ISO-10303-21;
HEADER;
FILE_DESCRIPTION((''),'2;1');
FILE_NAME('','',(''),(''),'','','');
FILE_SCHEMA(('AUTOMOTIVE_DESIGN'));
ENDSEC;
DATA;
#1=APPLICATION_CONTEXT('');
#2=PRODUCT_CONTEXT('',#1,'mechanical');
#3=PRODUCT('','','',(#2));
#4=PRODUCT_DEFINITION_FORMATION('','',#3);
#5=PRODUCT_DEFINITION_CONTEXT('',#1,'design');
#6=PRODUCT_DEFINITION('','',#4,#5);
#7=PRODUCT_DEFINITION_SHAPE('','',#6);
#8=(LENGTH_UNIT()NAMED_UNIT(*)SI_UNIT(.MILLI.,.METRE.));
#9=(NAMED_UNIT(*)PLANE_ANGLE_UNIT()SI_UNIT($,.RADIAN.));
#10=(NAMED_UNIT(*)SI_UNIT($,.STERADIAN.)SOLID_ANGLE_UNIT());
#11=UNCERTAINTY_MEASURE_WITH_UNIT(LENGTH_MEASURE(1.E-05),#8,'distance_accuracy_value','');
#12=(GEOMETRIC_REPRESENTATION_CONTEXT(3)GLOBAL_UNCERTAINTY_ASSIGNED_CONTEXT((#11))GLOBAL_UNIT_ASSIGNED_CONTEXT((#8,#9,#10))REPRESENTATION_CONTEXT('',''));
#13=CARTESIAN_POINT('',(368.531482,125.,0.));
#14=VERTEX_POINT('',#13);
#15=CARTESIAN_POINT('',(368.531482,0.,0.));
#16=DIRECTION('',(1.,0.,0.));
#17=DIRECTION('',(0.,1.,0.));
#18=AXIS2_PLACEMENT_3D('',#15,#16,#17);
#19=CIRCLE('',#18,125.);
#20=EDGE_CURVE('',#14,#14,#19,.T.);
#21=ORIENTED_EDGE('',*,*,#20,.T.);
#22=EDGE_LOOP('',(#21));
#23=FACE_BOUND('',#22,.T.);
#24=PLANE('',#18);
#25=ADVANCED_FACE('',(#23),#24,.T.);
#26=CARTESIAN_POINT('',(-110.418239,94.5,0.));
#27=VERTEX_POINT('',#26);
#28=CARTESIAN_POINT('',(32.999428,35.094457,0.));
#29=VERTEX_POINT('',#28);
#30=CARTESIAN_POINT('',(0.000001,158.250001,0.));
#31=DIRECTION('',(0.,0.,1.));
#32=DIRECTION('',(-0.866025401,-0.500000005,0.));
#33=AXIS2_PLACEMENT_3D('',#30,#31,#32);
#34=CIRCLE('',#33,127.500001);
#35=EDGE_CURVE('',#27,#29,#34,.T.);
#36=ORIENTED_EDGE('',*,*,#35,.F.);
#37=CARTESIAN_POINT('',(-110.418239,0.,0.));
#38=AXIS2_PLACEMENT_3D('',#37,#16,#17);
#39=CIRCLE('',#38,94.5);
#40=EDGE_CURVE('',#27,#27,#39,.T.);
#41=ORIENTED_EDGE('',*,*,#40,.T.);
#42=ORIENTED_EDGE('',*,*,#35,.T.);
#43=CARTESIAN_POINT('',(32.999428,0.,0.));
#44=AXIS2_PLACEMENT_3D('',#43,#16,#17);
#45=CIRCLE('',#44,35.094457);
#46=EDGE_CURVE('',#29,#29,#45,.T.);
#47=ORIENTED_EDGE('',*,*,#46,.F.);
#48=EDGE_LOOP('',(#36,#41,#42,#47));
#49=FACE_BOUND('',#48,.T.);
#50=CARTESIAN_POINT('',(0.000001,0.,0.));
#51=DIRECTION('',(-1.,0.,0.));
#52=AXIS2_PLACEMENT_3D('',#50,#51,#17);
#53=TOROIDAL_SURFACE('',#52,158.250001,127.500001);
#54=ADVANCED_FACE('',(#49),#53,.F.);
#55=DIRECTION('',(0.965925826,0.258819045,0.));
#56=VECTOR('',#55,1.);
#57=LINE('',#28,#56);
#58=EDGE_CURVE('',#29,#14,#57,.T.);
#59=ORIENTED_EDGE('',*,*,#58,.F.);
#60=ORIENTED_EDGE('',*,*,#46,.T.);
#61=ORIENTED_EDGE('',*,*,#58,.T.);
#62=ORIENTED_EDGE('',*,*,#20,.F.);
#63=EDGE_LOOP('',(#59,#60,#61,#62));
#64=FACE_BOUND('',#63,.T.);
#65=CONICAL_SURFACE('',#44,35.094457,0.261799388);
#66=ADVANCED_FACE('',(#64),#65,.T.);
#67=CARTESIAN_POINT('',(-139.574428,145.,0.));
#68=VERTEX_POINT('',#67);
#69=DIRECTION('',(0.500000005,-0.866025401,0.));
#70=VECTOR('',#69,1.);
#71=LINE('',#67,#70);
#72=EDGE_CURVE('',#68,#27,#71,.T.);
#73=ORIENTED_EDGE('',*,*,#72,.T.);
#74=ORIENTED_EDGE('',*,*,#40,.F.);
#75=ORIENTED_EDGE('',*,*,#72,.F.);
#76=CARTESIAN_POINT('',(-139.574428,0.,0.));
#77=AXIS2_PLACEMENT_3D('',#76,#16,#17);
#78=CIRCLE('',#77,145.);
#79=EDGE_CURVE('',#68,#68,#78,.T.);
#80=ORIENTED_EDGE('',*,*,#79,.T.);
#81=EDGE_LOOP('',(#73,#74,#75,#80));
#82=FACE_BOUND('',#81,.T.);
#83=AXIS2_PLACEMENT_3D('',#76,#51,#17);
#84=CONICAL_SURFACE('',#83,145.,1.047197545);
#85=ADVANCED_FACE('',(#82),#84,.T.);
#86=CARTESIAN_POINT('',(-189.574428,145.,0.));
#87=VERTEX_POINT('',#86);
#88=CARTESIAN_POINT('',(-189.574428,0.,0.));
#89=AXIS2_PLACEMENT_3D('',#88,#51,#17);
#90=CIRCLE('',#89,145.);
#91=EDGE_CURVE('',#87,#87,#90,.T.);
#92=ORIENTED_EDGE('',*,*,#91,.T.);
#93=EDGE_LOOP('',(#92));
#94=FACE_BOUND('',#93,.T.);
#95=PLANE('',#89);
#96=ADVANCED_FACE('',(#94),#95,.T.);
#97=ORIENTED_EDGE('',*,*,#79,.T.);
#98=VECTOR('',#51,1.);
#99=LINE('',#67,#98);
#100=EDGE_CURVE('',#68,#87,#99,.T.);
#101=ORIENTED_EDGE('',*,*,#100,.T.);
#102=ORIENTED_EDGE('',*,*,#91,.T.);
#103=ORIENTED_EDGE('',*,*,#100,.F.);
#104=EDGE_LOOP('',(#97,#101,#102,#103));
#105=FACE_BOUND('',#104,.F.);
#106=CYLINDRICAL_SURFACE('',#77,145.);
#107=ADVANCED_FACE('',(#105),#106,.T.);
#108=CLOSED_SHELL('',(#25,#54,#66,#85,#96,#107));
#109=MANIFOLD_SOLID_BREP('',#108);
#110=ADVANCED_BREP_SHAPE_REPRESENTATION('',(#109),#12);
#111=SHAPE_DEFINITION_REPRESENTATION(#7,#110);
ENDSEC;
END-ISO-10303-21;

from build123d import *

# Parameters (mm, degrees)
REVOLUTION_FACE4_R = 145
PAD_DEPTH          = 50


with BuildPart() as part:
    # Sketch → Revolution (revolve)
    with BuildSketch(Plane.XY):
        with BuildLine():
            ThreePointArc((-110.418239, 94.5), (-48.792138, 40.45536), (32.999428, 35.094457))
            Line((32.999428, 35.094457), (368.531482, 125))
            Line((368.531482, 125), (368.531482, 0))
            Line((-139.574428, 0), (368.531482, 0))
            Line((-139.574428, 145), (-139.574428, 0))
            Line((-139.574428, 145), (-110.418239, 94.5))
        make_face()
    revolve(axis=Axis((0, 0, 0), (1, 0, 0)))

    # Revolution Face4 → Pad (new)
    with BuildSketch(Plane(origin=(-139.574428, 0, 0), x_dir=(0, 1, 0), z_dir=(-1, 0, 0))):
        Circle(REVOLUTION_FACE4_R)
    extrude(amount=PAD_DEPTH)


solid = part.part
